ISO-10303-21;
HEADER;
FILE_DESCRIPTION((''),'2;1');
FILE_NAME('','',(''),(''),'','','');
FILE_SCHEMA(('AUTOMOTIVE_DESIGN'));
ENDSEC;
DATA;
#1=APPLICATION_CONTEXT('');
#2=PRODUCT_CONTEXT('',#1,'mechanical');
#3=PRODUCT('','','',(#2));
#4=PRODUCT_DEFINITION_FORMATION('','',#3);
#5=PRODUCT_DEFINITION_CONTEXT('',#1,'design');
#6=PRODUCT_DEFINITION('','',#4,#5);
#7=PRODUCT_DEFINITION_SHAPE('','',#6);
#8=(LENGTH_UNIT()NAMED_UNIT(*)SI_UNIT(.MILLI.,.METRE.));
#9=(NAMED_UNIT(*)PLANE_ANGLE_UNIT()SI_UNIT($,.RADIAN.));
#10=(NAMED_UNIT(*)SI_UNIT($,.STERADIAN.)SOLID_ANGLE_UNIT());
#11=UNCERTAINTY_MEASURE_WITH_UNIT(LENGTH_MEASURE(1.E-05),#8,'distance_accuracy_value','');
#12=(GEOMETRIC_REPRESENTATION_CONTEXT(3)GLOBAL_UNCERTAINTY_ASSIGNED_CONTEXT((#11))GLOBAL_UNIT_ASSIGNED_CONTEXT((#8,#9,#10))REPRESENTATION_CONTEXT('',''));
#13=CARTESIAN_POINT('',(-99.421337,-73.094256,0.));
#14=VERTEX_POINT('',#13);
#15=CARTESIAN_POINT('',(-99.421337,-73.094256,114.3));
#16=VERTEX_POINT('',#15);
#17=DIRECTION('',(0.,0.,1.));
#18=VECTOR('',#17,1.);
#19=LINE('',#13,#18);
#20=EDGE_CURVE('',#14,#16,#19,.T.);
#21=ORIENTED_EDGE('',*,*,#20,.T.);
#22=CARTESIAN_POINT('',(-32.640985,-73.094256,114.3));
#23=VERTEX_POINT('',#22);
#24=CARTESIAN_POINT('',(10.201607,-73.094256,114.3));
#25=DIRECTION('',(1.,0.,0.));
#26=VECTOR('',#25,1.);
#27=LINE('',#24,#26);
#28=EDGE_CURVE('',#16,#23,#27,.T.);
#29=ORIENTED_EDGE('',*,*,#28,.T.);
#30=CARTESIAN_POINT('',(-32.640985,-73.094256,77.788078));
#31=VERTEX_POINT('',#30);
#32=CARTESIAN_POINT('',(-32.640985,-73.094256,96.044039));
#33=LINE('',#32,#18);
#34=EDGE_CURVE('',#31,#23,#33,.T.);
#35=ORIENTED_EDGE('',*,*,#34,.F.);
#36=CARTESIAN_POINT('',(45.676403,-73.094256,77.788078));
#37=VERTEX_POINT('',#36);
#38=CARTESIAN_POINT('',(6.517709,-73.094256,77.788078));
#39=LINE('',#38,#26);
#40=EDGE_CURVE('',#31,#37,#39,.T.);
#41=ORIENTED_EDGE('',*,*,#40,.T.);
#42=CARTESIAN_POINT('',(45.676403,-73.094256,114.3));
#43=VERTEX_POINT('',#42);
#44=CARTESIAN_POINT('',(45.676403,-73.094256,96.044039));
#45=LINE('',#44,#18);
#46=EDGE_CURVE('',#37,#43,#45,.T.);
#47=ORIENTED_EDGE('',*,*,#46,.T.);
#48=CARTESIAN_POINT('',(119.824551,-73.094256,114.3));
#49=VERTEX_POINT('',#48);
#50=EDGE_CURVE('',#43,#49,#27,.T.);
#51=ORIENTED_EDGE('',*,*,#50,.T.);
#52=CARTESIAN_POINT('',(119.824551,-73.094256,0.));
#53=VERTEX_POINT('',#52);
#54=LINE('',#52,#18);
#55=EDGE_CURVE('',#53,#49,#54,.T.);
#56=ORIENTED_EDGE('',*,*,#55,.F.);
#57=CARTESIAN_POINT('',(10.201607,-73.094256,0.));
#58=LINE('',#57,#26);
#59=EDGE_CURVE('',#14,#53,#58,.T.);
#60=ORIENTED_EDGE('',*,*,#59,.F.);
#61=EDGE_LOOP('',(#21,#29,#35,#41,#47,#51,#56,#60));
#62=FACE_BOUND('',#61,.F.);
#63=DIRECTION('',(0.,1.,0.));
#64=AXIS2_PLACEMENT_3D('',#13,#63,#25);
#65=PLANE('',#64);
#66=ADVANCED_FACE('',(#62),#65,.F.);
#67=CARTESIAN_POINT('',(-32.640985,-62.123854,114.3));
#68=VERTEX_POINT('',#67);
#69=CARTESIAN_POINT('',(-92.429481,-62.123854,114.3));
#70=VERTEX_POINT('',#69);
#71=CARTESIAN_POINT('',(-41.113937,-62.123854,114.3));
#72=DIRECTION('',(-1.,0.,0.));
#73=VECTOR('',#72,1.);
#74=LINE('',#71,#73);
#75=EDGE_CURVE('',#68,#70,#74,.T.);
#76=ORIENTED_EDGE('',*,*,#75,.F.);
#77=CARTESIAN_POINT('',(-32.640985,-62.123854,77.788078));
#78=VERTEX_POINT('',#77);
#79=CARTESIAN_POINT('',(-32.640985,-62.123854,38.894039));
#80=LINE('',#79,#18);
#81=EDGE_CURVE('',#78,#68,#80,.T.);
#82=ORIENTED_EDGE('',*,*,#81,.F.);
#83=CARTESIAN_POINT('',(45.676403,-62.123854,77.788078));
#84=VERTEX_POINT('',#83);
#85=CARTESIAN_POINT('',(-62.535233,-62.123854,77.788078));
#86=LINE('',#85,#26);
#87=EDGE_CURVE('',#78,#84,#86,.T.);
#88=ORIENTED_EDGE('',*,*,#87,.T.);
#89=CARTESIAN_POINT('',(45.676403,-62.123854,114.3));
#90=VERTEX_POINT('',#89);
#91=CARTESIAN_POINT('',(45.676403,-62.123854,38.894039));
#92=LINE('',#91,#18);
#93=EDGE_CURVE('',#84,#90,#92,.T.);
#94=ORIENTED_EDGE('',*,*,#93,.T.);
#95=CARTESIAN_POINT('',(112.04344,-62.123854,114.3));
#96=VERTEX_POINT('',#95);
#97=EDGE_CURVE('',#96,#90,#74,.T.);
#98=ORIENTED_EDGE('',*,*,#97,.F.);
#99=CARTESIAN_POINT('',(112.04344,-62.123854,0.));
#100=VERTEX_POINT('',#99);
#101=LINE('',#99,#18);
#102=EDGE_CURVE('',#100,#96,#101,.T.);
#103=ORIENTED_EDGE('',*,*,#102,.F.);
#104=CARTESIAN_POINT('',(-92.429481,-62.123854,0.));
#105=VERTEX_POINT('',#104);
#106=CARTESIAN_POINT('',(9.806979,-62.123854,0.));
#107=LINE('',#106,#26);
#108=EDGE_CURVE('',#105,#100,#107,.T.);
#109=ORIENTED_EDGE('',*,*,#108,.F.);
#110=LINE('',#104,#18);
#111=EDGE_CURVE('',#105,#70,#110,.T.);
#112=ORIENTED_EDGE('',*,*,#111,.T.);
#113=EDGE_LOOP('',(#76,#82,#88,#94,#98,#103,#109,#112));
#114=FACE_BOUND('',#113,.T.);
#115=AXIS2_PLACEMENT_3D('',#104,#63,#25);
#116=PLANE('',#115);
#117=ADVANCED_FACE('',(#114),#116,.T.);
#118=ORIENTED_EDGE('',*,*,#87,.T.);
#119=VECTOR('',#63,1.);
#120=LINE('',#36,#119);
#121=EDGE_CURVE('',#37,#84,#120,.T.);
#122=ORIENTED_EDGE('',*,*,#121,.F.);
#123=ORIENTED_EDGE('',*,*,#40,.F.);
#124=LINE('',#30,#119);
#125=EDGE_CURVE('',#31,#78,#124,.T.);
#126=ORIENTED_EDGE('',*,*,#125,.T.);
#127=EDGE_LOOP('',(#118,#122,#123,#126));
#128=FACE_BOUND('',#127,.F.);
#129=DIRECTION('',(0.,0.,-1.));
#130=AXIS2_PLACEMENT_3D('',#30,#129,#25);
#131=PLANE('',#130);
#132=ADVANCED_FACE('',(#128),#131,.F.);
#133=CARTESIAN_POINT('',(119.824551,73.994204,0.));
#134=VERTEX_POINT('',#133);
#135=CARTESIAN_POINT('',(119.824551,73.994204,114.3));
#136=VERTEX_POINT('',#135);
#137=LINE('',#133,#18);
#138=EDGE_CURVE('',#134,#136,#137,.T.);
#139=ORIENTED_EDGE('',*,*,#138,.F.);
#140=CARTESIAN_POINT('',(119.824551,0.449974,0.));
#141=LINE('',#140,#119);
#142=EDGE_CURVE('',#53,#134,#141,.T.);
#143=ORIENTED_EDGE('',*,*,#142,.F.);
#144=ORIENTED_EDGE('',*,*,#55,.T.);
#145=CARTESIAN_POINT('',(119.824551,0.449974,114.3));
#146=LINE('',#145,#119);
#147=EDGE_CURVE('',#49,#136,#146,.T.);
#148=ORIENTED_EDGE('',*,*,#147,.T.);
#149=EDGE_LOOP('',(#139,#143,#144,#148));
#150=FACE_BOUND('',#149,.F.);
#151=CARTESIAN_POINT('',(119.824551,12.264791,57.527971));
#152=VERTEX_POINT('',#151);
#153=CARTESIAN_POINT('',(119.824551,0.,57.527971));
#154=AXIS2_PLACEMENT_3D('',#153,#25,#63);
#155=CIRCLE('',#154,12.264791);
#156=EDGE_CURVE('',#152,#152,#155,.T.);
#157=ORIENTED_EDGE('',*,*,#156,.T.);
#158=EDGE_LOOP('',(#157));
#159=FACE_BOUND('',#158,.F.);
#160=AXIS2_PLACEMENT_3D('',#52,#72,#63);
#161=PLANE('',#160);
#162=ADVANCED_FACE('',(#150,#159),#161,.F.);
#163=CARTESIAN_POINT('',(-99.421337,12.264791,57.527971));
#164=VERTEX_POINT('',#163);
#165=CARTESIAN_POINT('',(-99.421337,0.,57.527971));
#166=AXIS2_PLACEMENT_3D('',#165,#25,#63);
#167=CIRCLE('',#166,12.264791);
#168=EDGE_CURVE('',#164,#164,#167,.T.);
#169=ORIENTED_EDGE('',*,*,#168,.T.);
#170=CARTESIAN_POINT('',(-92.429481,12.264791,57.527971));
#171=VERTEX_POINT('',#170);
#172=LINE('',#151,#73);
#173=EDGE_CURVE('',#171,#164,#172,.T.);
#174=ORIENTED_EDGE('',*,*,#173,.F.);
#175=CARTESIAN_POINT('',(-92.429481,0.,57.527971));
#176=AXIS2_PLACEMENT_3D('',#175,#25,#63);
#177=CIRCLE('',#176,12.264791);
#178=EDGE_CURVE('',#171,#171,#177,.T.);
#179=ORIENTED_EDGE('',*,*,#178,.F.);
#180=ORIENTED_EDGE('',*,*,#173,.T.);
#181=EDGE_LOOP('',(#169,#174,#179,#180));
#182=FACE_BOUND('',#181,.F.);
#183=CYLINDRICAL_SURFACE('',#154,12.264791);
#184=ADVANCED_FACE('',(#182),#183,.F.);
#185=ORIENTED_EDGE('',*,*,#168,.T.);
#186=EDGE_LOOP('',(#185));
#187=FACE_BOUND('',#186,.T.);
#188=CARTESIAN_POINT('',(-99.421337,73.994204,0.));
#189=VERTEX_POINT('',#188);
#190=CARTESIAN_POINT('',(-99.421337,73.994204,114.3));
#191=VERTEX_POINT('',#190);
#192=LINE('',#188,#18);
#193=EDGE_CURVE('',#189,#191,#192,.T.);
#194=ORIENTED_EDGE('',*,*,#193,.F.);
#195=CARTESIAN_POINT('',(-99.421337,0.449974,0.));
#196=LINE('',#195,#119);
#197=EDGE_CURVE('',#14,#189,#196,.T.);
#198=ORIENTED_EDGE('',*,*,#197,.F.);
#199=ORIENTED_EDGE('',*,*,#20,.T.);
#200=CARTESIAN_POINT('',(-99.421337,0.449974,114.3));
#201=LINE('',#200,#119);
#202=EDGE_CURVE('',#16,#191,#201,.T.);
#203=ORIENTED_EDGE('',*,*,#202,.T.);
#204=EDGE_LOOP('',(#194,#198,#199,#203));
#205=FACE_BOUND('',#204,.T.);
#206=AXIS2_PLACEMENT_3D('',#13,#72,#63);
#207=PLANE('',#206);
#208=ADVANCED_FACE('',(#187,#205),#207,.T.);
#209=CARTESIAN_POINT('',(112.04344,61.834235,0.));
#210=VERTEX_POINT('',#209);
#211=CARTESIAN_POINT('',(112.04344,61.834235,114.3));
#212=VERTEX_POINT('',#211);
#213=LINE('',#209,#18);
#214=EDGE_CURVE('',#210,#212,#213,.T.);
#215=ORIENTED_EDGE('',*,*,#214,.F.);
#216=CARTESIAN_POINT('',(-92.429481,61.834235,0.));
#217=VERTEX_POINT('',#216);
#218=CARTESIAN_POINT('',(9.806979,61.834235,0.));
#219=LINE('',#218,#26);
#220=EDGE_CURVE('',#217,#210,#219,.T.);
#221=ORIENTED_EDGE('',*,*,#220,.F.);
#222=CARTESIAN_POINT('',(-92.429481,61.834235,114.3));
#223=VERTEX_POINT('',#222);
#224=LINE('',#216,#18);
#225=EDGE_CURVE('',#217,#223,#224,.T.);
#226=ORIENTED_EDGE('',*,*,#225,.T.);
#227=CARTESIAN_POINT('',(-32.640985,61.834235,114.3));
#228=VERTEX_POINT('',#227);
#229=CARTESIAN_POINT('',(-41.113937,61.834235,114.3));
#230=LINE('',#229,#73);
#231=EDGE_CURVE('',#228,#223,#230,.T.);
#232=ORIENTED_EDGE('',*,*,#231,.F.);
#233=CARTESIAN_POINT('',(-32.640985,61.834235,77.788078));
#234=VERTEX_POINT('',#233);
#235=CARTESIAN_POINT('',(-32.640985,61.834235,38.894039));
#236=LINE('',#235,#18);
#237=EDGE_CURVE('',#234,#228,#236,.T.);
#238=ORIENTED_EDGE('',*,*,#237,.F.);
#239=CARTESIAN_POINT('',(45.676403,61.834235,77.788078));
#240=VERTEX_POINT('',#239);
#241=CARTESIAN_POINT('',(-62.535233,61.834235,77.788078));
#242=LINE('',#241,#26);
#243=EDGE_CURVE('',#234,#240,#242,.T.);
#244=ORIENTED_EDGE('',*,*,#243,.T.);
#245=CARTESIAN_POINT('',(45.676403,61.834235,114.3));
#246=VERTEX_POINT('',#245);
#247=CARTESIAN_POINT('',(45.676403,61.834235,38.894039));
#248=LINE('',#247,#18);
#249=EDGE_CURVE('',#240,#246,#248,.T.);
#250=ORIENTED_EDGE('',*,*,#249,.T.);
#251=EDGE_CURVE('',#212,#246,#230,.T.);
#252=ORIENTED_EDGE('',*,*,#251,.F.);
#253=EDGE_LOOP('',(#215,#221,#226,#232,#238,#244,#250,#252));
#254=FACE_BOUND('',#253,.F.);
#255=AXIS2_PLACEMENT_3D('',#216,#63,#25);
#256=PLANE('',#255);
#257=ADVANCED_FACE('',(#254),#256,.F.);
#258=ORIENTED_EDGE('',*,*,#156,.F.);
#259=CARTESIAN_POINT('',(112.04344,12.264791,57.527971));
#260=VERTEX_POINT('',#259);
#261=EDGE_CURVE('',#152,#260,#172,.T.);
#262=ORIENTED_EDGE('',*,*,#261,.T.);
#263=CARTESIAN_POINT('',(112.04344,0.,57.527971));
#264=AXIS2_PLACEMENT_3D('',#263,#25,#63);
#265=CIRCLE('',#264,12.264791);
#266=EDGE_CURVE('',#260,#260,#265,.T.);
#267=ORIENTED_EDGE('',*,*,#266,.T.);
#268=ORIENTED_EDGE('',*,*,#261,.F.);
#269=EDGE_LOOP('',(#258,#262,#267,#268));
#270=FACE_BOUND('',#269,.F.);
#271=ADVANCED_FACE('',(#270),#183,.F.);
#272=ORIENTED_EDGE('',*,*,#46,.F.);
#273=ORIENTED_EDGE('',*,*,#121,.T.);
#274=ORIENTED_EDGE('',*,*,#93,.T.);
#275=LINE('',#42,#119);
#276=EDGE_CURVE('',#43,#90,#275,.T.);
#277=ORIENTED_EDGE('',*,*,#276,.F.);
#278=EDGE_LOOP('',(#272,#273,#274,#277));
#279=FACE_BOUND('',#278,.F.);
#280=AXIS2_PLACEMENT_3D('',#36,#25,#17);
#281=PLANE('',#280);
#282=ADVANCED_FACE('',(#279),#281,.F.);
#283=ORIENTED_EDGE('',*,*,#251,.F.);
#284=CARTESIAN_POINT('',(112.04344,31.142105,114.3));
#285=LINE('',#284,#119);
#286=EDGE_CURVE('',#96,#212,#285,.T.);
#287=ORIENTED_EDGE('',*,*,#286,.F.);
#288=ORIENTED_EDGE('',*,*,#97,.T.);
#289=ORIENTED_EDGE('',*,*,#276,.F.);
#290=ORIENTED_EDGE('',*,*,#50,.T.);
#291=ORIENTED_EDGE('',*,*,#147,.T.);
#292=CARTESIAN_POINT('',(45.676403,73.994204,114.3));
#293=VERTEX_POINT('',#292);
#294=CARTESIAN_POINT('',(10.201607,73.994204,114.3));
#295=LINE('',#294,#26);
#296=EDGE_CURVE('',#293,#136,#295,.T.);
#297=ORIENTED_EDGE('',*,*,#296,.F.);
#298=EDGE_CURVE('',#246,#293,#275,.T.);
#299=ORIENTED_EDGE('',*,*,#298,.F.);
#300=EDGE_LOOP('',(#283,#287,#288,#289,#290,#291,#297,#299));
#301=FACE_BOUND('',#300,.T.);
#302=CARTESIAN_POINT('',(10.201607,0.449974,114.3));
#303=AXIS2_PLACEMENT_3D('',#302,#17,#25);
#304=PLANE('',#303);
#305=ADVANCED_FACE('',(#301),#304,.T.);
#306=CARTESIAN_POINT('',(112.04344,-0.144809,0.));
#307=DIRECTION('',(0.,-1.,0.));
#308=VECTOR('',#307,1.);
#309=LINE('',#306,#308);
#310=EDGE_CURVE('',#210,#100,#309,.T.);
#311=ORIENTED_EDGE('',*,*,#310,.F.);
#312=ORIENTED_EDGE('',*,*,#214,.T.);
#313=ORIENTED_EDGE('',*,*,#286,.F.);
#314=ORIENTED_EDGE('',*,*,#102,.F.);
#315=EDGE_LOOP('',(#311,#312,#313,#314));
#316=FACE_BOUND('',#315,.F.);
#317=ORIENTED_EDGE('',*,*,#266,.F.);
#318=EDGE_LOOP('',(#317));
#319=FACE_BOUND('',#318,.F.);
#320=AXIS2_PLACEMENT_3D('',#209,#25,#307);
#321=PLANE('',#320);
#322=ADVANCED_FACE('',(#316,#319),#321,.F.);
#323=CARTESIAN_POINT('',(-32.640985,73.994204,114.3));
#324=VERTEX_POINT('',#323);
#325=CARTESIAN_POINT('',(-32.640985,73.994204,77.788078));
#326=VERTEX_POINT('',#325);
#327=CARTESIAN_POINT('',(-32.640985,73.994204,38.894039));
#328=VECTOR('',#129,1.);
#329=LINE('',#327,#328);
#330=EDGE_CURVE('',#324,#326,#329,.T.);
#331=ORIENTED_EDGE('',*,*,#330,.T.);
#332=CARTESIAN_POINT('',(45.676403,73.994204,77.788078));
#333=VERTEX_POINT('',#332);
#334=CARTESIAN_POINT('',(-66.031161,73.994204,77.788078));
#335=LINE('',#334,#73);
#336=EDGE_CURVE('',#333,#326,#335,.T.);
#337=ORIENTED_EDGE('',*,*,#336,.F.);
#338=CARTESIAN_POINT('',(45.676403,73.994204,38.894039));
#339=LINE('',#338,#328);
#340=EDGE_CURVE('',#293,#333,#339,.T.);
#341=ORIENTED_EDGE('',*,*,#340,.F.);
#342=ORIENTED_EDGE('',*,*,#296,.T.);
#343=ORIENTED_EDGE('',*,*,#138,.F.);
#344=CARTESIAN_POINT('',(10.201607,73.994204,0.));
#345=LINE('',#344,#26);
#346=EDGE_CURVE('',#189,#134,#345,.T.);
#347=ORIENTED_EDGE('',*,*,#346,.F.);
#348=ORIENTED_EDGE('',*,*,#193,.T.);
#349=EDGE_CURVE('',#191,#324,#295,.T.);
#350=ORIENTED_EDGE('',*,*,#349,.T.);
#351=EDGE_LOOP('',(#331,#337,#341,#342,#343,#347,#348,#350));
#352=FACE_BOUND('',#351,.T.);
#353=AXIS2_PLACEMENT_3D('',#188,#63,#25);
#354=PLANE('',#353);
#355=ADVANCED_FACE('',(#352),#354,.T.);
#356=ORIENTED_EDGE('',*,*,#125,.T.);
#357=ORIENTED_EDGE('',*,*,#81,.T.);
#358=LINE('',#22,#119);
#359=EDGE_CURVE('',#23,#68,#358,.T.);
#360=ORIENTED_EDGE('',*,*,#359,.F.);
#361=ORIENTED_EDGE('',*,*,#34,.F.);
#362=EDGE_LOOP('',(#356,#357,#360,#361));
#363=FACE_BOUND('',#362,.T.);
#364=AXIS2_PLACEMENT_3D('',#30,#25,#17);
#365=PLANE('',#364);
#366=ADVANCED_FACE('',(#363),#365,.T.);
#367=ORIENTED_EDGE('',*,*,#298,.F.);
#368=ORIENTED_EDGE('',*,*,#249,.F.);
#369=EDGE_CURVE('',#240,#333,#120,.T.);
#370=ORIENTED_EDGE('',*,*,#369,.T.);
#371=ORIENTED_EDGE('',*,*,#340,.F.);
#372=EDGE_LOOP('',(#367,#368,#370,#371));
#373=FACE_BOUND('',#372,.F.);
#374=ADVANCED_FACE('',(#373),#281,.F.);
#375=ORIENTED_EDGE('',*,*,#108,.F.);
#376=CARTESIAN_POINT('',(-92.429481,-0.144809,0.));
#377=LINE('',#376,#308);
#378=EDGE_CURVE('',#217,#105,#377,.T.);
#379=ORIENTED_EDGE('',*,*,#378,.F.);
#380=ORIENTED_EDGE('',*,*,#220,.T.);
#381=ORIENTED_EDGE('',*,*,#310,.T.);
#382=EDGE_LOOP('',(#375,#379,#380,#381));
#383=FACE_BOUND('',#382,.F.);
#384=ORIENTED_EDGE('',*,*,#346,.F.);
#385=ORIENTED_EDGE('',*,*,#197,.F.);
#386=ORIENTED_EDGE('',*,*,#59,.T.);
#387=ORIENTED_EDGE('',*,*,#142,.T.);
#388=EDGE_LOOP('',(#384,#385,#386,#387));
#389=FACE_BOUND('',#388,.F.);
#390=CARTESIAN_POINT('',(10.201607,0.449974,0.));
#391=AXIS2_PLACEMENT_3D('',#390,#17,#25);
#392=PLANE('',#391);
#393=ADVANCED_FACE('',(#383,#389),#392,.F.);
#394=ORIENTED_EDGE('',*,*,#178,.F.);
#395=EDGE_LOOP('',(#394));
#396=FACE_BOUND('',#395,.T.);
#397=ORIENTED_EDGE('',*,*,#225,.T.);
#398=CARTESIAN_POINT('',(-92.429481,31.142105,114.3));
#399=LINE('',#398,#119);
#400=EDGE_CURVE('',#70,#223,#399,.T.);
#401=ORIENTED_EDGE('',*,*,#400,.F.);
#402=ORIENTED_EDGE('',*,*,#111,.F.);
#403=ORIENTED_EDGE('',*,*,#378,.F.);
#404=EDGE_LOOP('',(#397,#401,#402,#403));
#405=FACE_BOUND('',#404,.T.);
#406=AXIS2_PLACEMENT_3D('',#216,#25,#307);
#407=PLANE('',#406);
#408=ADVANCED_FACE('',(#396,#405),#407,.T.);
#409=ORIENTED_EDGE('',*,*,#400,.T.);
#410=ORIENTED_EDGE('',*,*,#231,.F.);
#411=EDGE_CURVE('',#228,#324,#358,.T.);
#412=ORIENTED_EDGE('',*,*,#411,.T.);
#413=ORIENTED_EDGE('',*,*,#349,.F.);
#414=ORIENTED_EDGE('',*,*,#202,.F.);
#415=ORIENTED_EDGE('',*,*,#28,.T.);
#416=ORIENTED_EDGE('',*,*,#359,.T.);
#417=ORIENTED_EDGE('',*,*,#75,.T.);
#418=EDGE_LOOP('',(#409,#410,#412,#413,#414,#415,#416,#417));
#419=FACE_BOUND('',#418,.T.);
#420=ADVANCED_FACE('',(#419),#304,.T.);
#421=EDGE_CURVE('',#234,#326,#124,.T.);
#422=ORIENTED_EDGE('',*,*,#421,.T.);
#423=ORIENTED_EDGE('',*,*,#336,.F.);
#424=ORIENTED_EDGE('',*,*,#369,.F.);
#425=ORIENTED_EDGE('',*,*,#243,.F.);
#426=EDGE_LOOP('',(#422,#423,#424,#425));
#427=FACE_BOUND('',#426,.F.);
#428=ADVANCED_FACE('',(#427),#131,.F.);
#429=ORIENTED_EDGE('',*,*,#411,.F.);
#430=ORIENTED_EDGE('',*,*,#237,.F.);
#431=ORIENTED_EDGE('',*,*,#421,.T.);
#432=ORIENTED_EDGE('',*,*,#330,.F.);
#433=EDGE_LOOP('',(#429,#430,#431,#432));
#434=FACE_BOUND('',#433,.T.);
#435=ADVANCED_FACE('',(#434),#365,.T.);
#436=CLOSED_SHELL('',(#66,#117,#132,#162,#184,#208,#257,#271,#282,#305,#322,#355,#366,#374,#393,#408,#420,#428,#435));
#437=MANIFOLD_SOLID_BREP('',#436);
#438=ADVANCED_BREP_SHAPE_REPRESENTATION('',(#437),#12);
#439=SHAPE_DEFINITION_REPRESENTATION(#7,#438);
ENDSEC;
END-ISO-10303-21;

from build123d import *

# Parameters (mm, degrees)
F0_W     = 219.245888
F0_H     = 147.08846
F1_DEPTH = 114.3
F2_W     = 78.317389
F2_H     = 36.511922
F3_DEPTH = 147.089461
F4_W     = 204.472921
F4_H     = 123.958089
F5_DEPTH = 114.301
F6_R     = 12.264791
F7_DEPTH = 219.246888


with BuildPart() as f1:
    # F0 (on Top) → F1 (new body)
    with BuildSketch(Plane.XY):
        with Locations((10.201607, 0.449974)):
            Rectangle(F0_W, F0_H)
    extrude(amount=F1_DEPTH)

    # F2 (on face) → F3 (cut, through all)
    with BuildSketch(Plane.XZ.offset(73.094256)):
        with Locations((6.517709, 96.044039)):
            Rectangle(F2_W, F2_H)
    extrude(amount=-F3_DEPTH, mode=Mode.SUBTRACT)

    # F4 (on face) → F5 (cut, through all)
    with BuildSketch(Plane(origin=(0, 0, 0), x_dir=(1, 0, 0), z_dir=(0, 0, -1))):
        with Locations((9.806979, 0.144809)):
            Rectangle(F4_W, F4_H)
    extrude(amount=-F5_DEPTH, mode=Mode.SUBTRACT)

    # F6 (on face) → F7 (cut, through all)
    with BuildSketch(Plane.YZ.offset(119.824551)):
        with Locations((0, 57.527971)):
            Circle(F6_R)
    extrude(amount=-F7_DEPTH, mode=Mode.SUBTRACT)


solid = f1.part
